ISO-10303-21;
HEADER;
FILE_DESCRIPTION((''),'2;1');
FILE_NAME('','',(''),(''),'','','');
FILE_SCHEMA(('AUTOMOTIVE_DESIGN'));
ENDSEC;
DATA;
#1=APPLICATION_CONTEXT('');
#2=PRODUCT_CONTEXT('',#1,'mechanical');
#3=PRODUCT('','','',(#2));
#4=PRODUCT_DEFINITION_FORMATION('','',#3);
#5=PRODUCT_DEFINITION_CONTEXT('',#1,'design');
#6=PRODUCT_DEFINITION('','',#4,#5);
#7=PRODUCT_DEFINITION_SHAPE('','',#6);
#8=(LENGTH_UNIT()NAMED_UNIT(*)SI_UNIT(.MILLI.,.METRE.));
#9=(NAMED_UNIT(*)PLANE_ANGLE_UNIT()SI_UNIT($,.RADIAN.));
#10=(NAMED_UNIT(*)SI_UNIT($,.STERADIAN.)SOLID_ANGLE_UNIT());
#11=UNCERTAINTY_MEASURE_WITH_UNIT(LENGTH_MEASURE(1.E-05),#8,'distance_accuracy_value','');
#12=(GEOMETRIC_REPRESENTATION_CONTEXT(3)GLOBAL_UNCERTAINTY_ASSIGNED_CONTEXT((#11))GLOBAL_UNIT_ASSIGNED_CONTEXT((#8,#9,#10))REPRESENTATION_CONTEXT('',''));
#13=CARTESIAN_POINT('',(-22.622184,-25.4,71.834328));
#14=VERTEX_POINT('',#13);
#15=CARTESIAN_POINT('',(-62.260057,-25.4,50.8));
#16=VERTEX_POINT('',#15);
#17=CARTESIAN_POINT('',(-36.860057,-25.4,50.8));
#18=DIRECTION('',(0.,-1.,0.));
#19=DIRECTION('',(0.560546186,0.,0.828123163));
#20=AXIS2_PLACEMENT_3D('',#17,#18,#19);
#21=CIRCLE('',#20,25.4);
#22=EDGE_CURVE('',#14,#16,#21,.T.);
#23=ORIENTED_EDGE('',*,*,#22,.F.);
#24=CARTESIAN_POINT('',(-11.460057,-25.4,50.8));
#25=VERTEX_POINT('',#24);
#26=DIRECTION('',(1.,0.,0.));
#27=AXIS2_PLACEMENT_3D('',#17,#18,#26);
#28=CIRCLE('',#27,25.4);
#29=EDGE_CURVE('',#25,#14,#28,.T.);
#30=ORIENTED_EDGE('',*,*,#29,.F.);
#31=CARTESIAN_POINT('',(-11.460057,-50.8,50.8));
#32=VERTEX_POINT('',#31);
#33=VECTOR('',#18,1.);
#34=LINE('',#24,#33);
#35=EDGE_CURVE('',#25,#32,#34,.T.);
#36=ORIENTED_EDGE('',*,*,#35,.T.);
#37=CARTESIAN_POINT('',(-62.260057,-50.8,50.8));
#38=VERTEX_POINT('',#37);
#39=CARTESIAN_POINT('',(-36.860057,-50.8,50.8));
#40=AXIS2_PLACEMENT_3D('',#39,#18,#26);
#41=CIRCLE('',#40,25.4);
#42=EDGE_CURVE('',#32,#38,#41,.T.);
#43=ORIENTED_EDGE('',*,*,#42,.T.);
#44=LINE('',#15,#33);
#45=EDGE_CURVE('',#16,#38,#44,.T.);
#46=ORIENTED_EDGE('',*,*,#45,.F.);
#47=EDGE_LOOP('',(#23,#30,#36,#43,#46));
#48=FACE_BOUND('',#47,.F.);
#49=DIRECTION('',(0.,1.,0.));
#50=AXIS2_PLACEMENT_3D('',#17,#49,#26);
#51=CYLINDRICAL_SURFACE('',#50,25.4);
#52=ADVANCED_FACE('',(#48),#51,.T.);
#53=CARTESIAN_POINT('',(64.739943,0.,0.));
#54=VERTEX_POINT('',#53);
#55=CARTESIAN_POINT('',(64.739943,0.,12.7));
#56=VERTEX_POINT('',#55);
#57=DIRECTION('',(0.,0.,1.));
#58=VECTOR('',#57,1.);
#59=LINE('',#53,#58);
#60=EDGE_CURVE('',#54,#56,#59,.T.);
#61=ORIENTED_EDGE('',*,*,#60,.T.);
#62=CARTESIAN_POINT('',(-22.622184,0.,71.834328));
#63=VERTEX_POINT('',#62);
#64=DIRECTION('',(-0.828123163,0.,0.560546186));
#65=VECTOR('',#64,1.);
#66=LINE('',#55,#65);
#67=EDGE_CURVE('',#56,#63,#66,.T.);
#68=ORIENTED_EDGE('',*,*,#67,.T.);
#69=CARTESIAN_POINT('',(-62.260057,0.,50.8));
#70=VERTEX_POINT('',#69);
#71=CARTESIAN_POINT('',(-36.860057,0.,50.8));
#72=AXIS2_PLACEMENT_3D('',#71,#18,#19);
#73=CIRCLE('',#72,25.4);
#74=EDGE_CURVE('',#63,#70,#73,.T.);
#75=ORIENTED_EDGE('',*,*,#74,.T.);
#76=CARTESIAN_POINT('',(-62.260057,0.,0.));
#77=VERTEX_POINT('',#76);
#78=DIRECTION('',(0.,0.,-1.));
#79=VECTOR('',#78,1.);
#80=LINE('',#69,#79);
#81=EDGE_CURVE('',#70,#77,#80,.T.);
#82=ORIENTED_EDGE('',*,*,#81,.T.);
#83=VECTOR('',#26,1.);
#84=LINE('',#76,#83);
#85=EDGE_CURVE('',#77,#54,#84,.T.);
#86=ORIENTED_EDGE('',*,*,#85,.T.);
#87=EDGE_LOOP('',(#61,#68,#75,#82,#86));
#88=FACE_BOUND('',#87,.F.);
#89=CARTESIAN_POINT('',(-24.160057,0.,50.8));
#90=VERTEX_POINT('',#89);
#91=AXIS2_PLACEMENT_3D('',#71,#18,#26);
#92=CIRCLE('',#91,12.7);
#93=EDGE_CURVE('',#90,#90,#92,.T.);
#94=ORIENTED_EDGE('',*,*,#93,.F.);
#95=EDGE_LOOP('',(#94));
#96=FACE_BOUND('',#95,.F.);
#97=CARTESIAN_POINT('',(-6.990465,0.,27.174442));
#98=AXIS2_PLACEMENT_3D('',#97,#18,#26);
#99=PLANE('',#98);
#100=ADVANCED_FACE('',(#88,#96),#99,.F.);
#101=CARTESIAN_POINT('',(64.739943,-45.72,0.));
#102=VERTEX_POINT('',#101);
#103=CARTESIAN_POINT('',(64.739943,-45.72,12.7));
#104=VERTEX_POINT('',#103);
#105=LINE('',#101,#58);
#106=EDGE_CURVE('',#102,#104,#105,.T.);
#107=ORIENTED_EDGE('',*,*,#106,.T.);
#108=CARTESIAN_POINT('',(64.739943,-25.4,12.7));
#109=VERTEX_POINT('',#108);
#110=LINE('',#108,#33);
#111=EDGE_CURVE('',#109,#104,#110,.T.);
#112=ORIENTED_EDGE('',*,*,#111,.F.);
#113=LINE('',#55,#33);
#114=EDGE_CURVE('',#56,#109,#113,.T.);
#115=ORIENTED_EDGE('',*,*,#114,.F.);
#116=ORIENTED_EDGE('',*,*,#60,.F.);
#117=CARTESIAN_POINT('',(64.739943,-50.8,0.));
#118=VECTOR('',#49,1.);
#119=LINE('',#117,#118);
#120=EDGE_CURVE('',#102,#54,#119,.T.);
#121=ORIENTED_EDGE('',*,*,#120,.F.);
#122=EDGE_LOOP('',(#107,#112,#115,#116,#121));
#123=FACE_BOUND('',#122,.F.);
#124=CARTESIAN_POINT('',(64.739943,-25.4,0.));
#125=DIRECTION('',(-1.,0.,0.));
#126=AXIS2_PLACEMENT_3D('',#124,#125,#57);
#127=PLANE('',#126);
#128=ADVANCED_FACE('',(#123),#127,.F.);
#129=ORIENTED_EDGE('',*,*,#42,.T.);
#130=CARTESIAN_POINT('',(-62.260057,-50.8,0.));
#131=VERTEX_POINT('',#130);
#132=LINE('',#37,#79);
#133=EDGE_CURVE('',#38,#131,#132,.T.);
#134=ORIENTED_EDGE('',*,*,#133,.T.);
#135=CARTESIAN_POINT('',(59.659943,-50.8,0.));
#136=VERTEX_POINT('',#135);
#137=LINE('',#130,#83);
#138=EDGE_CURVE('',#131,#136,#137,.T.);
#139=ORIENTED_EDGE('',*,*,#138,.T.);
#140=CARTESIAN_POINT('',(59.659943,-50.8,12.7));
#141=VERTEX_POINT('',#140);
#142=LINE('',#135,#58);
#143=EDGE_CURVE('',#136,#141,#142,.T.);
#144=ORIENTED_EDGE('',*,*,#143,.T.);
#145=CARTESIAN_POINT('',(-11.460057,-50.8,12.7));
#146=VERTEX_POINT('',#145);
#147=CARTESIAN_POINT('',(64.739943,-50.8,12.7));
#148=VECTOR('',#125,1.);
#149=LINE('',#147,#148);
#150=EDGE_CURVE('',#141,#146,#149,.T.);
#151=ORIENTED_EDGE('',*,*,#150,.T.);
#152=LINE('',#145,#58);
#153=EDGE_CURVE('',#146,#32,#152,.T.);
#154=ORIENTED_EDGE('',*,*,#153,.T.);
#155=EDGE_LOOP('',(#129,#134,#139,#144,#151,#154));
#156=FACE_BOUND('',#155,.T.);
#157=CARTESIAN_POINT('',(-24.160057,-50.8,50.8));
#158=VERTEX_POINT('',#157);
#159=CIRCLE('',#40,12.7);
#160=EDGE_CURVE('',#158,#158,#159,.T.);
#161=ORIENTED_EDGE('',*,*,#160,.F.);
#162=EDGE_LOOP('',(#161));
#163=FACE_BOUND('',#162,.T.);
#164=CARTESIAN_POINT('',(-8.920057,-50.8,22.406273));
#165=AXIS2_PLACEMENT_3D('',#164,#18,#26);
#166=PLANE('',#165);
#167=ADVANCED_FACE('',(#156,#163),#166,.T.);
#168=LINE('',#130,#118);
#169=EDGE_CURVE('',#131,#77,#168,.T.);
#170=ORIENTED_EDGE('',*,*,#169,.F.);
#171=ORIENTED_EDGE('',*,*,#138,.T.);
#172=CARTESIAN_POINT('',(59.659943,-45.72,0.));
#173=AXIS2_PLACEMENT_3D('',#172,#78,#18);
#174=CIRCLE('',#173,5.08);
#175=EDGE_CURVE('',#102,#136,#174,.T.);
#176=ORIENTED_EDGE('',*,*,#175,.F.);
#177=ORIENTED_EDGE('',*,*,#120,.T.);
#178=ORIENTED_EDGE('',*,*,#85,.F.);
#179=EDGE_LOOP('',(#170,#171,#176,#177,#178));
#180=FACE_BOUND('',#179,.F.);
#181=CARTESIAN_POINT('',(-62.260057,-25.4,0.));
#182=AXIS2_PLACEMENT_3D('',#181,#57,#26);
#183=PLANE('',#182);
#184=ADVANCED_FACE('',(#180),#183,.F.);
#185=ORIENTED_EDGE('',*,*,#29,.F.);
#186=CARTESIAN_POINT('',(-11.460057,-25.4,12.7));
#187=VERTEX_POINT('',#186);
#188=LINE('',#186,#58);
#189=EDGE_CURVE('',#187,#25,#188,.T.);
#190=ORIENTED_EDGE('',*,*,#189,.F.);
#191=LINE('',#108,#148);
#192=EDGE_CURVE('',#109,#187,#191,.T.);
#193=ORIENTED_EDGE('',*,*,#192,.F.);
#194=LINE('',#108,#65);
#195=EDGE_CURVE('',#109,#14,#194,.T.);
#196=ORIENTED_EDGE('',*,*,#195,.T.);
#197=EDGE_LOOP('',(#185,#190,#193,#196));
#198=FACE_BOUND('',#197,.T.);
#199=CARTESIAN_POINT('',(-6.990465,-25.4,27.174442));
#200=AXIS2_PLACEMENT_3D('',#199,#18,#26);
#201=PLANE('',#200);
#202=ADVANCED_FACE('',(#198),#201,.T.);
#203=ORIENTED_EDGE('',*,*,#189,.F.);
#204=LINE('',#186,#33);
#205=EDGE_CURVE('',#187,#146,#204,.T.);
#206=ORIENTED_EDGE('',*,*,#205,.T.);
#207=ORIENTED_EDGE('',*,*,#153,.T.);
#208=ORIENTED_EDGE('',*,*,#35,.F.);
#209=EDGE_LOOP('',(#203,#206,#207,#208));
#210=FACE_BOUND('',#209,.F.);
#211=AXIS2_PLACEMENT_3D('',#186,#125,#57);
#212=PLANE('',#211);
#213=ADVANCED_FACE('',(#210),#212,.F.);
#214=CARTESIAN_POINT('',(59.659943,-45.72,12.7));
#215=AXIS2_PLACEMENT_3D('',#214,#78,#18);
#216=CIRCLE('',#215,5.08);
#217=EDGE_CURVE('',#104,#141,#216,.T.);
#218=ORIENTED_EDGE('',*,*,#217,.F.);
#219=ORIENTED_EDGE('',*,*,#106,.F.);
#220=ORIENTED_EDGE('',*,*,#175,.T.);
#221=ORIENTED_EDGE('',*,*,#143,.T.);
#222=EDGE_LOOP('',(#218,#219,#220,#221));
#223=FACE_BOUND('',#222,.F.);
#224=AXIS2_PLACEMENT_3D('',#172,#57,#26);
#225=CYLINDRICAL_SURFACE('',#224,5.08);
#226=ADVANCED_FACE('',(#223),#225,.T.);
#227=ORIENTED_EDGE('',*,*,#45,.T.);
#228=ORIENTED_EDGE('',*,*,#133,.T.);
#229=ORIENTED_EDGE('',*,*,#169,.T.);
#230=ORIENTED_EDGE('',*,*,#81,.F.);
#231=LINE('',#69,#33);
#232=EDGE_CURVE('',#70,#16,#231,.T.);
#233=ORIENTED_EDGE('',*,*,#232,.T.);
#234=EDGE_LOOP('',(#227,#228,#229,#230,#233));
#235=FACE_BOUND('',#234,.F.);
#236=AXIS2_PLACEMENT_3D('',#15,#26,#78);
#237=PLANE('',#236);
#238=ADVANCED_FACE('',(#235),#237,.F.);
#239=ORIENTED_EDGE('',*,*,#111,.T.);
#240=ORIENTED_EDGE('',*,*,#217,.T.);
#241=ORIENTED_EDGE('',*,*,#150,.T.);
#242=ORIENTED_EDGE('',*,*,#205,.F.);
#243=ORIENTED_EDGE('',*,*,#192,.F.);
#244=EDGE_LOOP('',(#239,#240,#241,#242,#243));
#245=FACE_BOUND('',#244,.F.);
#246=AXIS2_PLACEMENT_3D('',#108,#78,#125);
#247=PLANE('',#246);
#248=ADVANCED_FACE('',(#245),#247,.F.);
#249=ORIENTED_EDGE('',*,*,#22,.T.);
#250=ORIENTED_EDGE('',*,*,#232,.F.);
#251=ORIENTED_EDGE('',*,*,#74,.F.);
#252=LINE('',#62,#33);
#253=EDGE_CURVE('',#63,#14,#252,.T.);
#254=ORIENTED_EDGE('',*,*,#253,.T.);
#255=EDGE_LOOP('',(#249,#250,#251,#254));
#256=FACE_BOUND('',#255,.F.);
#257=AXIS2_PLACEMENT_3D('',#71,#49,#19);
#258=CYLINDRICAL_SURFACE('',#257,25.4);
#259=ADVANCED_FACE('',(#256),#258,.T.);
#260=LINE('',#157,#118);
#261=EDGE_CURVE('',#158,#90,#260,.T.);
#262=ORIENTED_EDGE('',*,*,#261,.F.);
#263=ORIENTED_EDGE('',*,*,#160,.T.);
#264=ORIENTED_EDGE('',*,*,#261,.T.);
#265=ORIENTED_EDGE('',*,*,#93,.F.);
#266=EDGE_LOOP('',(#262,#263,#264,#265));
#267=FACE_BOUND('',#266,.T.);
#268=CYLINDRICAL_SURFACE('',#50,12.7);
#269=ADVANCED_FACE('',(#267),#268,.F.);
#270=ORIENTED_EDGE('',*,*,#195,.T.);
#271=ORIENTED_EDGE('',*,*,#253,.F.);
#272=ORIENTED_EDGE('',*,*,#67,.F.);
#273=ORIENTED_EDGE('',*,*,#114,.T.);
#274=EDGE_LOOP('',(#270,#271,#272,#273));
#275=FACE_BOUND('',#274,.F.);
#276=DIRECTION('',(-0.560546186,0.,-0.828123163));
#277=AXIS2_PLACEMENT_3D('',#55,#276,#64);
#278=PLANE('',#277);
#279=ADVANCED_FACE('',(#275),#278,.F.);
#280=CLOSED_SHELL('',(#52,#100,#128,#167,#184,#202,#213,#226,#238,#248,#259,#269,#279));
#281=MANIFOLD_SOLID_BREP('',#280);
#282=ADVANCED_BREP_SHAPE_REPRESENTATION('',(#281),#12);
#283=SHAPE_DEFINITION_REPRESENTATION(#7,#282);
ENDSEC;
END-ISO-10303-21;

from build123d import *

# Parameters (mm, degrees)
F0_R     = 12.7
F1_DEPTH = 25.4
F2_R     = 12.7
F3_DEPTH = 25.4
F4_DEPTH = 25.4
F5_R     = 5.08


with BuildPart() as f1:
    # F0 (on Front) → F1 (new body)
    with BuildSketch(Plane.XZ):
        with BuildLine():
            Line((64.7399425507, 12.7), (-22.6221843212, 71.8343283417))
            ThreePointArc((-22.6221843212, 71.8343283417), (-48.766316781, 73.2365993129), (-62.2600574493, 50.8))
            Line((-62.2600574493, 50.8), (-62.2600574493, 0))
            Line((-62.2600574493, 0), (64.7399425507, 0))
            Line((64.7399425507, 0), (64.7399425507, 12.7))
        make_face()
        with Locations((-36.8600574493, 50.8)):
            Circle(F0_R, mode=Mode.SUBTRACT)
    extrude(amount=F1_DEPTH)

    # F2 (on face) → F3 (join)
    with BuildSketch(Plane.XZ.offset(25.4)):
        with BuildLine():
            Line((64.7399425507, 0), (64.7399425507, 12.7))
            Line((64.7399425507, 12.7), (-11.4600574493, 12.7))
            Line((-11.4600574493, 12.7), (-11.4600574493, 50.8))
            ThreePointArc((-11.4600574493, 50.8), (-36.8600574493, 76.2), (-62.2600574493, 50.8))
            Line((-62.2600574493, 50.8), (-62.2600574493, 12.7))
            Line((-62.2600574493, 12.7), (-62.2600574493, 0))
            Line((-62.2600574493, 0), (64.7399425507, 0))
        make_face()
        with Locations((-36.8600574493, 50.8)):
            Circle(F2_R, mode=Mode.SUBTRACT)
    extrude(amount=F3_DEPTH)

    # F2 (on face) → F4 (join)
    with BuildSketch(Plane.XZ.offset(25.4)):
        with BuildLine():
            Line((64.7399425507, 0), (64.7399425507, 12.7))
            Line((64.7399425507, 12.7), (-11.4600574493, 12.7))
            Line((-11.4600574493, 12.7), (-11.4600574493, 50.8))
            ThreePointArc((-11.4600574493, 50.8), (-14.4234581364, 62.7062593317), (-22.6221843212, 71.8343283417))
            ThreePointArc((-22.6221843212, 71.8343283417), (-48.766316781, 73.2365993129), (-62.2600574493, 50.8))
            Line((-62.2600574493, 50.8), (-62.2600574493, 12.7))
            Line((-62.2600574493, 12.7), (-62.2600574493, 0))
            Line((-62.2600574493, 0), (64.7399425507, 0))
        make_face()
        with Locations((-36.8600574493, 50.8)):
            Circle(F2_R, mode=Mode.SUBTRACT)
    extrude(amount=F4_DEPTH)

    # F5
    f5_edges = [f1.edges().sort_by_distance(p)[0] for p in [
        (64.739943, -50.8, 6.35),
    ]]
    fillet(f5_edges, radius=F5_R)


solid = f1.part
